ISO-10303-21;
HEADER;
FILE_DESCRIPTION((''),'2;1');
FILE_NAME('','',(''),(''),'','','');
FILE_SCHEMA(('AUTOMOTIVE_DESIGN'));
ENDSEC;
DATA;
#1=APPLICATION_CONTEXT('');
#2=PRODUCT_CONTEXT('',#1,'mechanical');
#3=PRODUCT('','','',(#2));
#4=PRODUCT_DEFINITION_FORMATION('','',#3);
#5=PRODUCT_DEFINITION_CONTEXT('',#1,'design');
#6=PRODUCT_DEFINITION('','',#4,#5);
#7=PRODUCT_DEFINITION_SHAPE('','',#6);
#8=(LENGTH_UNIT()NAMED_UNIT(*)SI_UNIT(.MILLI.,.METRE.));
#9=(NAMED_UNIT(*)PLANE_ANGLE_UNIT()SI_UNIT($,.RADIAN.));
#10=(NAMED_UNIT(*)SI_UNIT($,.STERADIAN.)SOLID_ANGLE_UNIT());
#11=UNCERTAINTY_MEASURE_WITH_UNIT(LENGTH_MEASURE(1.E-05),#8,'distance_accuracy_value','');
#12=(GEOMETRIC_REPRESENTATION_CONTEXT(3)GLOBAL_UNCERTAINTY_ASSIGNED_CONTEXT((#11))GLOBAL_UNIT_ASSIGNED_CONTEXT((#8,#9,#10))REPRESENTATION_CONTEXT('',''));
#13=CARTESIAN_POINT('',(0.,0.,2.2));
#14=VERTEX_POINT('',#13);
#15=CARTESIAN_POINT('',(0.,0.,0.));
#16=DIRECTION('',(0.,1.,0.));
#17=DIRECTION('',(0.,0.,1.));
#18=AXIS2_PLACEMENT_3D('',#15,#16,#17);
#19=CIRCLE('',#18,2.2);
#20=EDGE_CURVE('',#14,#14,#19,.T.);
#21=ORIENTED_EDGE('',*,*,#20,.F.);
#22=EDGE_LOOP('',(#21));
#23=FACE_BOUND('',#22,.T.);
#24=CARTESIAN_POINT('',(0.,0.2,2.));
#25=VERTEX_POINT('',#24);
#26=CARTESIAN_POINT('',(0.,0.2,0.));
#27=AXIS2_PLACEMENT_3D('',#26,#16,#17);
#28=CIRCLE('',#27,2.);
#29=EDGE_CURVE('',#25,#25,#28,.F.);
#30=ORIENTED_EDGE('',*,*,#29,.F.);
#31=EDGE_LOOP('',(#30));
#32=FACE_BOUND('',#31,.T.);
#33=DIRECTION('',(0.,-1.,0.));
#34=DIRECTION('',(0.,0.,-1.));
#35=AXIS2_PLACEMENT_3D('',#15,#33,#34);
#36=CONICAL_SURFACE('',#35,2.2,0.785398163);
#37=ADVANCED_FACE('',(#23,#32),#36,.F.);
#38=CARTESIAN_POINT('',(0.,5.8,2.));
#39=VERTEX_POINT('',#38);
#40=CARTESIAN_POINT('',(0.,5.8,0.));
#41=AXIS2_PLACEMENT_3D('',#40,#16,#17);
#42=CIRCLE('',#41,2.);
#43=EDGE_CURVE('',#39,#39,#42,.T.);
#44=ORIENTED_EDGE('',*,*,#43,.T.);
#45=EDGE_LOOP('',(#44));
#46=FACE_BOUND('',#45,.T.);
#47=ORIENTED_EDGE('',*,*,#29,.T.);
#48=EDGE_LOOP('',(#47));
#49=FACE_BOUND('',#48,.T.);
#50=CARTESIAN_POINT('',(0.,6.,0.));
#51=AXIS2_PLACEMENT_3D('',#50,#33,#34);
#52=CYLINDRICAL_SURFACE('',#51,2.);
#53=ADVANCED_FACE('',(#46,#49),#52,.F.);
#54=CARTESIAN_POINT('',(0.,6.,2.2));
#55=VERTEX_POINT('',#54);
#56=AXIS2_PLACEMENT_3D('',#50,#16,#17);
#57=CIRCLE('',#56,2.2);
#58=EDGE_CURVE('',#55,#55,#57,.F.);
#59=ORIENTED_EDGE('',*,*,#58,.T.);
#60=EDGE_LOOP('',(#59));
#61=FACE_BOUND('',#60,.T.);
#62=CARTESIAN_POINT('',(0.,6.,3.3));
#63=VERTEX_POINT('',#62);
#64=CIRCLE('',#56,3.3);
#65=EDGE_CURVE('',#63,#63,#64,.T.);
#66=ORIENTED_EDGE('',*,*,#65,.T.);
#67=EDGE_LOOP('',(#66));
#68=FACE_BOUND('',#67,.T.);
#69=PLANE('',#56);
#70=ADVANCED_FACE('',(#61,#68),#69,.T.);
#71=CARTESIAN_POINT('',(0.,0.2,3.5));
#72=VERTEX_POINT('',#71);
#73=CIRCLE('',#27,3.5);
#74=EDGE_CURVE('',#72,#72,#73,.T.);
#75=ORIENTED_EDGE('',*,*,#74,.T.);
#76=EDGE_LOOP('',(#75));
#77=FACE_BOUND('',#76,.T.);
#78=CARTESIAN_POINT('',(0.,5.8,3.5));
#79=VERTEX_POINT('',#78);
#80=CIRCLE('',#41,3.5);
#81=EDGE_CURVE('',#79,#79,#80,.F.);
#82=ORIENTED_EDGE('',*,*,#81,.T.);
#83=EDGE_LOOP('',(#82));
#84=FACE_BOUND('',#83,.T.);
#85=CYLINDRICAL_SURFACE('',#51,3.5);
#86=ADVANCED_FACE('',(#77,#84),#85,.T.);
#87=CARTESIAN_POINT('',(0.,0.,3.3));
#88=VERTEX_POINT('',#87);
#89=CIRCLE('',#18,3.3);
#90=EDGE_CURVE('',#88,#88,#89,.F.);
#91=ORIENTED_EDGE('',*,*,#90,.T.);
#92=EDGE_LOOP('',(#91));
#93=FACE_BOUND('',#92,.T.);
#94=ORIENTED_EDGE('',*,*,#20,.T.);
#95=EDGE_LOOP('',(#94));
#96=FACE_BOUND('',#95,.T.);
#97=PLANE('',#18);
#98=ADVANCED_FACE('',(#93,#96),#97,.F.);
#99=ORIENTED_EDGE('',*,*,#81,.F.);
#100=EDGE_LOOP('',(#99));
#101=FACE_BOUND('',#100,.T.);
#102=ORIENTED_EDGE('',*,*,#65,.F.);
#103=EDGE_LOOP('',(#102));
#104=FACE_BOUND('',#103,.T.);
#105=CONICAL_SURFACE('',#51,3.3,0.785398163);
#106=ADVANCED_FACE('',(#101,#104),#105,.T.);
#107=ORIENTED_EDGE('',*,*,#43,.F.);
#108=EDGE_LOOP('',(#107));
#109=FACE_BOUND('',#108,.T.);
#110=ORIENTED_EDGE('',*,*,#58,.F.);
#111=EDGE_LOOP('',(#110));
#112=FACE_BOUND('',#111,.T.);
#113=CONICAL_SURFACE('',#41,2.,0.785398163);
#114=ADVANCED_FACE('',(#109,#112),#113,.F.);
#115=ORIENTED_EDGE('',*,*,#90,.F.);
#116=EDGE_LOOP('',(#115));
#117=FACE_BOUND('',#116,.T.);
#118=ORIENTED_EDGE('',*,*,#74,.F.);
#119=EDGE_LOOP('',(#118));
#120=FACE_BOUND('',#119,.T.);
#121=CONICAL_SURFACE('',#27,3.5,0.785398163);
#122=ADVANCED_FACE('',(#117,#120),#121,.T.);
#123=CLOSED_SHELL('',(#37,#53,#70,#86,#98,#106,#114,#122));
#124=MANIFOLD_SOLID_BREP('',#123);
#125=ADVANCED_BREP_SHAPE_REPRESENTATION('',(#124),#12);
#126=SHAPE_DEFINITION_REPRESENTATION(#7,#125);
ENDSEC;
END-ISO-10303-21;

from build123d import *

# Parameters (mm, degrees)
SZKIC1_R                    = 3.5
SZKIC1_R_2                  = 2
DODANIE_WYCI_GNI_CIE1_DEPTH = 6
SFAZOWANIE1_SIZE            = 0.2


with BuildPart() as part:
    # Szkic1 → Dodanie-wyciągnięcie1 (new body)
    with BuildSketch(Plane(origin=(0, 0, 0), x_dir=(1, 0, 0), z_dir=(0, 1, 0))):
        with Locations(Location((0, 0, 0), (0, 0, 270))):
            Circle(SZKIC1_R)
        with Locations(Location((0, 0, 0), (0, 0, 270))):
            Circle(SZKIC1_R_2, mode=Mode.SUBTRACT)
    extrude(amount=DODANIE_WYCI_GNI_CIE1_DEPTH)

    # Sfazowanie1
    sfazowanie1_edges = [part.edges().sort_by_distance(p)[0] for p in [
        (0, 0, -3.5),
        (0, 6, -3.5),
        (0, 0, -2),
        (0, 6, -2),
    ]]
    chamfer(sfazowanie1_edges, length=SFAZOWANIE1_SIZE)


solid = part.part
